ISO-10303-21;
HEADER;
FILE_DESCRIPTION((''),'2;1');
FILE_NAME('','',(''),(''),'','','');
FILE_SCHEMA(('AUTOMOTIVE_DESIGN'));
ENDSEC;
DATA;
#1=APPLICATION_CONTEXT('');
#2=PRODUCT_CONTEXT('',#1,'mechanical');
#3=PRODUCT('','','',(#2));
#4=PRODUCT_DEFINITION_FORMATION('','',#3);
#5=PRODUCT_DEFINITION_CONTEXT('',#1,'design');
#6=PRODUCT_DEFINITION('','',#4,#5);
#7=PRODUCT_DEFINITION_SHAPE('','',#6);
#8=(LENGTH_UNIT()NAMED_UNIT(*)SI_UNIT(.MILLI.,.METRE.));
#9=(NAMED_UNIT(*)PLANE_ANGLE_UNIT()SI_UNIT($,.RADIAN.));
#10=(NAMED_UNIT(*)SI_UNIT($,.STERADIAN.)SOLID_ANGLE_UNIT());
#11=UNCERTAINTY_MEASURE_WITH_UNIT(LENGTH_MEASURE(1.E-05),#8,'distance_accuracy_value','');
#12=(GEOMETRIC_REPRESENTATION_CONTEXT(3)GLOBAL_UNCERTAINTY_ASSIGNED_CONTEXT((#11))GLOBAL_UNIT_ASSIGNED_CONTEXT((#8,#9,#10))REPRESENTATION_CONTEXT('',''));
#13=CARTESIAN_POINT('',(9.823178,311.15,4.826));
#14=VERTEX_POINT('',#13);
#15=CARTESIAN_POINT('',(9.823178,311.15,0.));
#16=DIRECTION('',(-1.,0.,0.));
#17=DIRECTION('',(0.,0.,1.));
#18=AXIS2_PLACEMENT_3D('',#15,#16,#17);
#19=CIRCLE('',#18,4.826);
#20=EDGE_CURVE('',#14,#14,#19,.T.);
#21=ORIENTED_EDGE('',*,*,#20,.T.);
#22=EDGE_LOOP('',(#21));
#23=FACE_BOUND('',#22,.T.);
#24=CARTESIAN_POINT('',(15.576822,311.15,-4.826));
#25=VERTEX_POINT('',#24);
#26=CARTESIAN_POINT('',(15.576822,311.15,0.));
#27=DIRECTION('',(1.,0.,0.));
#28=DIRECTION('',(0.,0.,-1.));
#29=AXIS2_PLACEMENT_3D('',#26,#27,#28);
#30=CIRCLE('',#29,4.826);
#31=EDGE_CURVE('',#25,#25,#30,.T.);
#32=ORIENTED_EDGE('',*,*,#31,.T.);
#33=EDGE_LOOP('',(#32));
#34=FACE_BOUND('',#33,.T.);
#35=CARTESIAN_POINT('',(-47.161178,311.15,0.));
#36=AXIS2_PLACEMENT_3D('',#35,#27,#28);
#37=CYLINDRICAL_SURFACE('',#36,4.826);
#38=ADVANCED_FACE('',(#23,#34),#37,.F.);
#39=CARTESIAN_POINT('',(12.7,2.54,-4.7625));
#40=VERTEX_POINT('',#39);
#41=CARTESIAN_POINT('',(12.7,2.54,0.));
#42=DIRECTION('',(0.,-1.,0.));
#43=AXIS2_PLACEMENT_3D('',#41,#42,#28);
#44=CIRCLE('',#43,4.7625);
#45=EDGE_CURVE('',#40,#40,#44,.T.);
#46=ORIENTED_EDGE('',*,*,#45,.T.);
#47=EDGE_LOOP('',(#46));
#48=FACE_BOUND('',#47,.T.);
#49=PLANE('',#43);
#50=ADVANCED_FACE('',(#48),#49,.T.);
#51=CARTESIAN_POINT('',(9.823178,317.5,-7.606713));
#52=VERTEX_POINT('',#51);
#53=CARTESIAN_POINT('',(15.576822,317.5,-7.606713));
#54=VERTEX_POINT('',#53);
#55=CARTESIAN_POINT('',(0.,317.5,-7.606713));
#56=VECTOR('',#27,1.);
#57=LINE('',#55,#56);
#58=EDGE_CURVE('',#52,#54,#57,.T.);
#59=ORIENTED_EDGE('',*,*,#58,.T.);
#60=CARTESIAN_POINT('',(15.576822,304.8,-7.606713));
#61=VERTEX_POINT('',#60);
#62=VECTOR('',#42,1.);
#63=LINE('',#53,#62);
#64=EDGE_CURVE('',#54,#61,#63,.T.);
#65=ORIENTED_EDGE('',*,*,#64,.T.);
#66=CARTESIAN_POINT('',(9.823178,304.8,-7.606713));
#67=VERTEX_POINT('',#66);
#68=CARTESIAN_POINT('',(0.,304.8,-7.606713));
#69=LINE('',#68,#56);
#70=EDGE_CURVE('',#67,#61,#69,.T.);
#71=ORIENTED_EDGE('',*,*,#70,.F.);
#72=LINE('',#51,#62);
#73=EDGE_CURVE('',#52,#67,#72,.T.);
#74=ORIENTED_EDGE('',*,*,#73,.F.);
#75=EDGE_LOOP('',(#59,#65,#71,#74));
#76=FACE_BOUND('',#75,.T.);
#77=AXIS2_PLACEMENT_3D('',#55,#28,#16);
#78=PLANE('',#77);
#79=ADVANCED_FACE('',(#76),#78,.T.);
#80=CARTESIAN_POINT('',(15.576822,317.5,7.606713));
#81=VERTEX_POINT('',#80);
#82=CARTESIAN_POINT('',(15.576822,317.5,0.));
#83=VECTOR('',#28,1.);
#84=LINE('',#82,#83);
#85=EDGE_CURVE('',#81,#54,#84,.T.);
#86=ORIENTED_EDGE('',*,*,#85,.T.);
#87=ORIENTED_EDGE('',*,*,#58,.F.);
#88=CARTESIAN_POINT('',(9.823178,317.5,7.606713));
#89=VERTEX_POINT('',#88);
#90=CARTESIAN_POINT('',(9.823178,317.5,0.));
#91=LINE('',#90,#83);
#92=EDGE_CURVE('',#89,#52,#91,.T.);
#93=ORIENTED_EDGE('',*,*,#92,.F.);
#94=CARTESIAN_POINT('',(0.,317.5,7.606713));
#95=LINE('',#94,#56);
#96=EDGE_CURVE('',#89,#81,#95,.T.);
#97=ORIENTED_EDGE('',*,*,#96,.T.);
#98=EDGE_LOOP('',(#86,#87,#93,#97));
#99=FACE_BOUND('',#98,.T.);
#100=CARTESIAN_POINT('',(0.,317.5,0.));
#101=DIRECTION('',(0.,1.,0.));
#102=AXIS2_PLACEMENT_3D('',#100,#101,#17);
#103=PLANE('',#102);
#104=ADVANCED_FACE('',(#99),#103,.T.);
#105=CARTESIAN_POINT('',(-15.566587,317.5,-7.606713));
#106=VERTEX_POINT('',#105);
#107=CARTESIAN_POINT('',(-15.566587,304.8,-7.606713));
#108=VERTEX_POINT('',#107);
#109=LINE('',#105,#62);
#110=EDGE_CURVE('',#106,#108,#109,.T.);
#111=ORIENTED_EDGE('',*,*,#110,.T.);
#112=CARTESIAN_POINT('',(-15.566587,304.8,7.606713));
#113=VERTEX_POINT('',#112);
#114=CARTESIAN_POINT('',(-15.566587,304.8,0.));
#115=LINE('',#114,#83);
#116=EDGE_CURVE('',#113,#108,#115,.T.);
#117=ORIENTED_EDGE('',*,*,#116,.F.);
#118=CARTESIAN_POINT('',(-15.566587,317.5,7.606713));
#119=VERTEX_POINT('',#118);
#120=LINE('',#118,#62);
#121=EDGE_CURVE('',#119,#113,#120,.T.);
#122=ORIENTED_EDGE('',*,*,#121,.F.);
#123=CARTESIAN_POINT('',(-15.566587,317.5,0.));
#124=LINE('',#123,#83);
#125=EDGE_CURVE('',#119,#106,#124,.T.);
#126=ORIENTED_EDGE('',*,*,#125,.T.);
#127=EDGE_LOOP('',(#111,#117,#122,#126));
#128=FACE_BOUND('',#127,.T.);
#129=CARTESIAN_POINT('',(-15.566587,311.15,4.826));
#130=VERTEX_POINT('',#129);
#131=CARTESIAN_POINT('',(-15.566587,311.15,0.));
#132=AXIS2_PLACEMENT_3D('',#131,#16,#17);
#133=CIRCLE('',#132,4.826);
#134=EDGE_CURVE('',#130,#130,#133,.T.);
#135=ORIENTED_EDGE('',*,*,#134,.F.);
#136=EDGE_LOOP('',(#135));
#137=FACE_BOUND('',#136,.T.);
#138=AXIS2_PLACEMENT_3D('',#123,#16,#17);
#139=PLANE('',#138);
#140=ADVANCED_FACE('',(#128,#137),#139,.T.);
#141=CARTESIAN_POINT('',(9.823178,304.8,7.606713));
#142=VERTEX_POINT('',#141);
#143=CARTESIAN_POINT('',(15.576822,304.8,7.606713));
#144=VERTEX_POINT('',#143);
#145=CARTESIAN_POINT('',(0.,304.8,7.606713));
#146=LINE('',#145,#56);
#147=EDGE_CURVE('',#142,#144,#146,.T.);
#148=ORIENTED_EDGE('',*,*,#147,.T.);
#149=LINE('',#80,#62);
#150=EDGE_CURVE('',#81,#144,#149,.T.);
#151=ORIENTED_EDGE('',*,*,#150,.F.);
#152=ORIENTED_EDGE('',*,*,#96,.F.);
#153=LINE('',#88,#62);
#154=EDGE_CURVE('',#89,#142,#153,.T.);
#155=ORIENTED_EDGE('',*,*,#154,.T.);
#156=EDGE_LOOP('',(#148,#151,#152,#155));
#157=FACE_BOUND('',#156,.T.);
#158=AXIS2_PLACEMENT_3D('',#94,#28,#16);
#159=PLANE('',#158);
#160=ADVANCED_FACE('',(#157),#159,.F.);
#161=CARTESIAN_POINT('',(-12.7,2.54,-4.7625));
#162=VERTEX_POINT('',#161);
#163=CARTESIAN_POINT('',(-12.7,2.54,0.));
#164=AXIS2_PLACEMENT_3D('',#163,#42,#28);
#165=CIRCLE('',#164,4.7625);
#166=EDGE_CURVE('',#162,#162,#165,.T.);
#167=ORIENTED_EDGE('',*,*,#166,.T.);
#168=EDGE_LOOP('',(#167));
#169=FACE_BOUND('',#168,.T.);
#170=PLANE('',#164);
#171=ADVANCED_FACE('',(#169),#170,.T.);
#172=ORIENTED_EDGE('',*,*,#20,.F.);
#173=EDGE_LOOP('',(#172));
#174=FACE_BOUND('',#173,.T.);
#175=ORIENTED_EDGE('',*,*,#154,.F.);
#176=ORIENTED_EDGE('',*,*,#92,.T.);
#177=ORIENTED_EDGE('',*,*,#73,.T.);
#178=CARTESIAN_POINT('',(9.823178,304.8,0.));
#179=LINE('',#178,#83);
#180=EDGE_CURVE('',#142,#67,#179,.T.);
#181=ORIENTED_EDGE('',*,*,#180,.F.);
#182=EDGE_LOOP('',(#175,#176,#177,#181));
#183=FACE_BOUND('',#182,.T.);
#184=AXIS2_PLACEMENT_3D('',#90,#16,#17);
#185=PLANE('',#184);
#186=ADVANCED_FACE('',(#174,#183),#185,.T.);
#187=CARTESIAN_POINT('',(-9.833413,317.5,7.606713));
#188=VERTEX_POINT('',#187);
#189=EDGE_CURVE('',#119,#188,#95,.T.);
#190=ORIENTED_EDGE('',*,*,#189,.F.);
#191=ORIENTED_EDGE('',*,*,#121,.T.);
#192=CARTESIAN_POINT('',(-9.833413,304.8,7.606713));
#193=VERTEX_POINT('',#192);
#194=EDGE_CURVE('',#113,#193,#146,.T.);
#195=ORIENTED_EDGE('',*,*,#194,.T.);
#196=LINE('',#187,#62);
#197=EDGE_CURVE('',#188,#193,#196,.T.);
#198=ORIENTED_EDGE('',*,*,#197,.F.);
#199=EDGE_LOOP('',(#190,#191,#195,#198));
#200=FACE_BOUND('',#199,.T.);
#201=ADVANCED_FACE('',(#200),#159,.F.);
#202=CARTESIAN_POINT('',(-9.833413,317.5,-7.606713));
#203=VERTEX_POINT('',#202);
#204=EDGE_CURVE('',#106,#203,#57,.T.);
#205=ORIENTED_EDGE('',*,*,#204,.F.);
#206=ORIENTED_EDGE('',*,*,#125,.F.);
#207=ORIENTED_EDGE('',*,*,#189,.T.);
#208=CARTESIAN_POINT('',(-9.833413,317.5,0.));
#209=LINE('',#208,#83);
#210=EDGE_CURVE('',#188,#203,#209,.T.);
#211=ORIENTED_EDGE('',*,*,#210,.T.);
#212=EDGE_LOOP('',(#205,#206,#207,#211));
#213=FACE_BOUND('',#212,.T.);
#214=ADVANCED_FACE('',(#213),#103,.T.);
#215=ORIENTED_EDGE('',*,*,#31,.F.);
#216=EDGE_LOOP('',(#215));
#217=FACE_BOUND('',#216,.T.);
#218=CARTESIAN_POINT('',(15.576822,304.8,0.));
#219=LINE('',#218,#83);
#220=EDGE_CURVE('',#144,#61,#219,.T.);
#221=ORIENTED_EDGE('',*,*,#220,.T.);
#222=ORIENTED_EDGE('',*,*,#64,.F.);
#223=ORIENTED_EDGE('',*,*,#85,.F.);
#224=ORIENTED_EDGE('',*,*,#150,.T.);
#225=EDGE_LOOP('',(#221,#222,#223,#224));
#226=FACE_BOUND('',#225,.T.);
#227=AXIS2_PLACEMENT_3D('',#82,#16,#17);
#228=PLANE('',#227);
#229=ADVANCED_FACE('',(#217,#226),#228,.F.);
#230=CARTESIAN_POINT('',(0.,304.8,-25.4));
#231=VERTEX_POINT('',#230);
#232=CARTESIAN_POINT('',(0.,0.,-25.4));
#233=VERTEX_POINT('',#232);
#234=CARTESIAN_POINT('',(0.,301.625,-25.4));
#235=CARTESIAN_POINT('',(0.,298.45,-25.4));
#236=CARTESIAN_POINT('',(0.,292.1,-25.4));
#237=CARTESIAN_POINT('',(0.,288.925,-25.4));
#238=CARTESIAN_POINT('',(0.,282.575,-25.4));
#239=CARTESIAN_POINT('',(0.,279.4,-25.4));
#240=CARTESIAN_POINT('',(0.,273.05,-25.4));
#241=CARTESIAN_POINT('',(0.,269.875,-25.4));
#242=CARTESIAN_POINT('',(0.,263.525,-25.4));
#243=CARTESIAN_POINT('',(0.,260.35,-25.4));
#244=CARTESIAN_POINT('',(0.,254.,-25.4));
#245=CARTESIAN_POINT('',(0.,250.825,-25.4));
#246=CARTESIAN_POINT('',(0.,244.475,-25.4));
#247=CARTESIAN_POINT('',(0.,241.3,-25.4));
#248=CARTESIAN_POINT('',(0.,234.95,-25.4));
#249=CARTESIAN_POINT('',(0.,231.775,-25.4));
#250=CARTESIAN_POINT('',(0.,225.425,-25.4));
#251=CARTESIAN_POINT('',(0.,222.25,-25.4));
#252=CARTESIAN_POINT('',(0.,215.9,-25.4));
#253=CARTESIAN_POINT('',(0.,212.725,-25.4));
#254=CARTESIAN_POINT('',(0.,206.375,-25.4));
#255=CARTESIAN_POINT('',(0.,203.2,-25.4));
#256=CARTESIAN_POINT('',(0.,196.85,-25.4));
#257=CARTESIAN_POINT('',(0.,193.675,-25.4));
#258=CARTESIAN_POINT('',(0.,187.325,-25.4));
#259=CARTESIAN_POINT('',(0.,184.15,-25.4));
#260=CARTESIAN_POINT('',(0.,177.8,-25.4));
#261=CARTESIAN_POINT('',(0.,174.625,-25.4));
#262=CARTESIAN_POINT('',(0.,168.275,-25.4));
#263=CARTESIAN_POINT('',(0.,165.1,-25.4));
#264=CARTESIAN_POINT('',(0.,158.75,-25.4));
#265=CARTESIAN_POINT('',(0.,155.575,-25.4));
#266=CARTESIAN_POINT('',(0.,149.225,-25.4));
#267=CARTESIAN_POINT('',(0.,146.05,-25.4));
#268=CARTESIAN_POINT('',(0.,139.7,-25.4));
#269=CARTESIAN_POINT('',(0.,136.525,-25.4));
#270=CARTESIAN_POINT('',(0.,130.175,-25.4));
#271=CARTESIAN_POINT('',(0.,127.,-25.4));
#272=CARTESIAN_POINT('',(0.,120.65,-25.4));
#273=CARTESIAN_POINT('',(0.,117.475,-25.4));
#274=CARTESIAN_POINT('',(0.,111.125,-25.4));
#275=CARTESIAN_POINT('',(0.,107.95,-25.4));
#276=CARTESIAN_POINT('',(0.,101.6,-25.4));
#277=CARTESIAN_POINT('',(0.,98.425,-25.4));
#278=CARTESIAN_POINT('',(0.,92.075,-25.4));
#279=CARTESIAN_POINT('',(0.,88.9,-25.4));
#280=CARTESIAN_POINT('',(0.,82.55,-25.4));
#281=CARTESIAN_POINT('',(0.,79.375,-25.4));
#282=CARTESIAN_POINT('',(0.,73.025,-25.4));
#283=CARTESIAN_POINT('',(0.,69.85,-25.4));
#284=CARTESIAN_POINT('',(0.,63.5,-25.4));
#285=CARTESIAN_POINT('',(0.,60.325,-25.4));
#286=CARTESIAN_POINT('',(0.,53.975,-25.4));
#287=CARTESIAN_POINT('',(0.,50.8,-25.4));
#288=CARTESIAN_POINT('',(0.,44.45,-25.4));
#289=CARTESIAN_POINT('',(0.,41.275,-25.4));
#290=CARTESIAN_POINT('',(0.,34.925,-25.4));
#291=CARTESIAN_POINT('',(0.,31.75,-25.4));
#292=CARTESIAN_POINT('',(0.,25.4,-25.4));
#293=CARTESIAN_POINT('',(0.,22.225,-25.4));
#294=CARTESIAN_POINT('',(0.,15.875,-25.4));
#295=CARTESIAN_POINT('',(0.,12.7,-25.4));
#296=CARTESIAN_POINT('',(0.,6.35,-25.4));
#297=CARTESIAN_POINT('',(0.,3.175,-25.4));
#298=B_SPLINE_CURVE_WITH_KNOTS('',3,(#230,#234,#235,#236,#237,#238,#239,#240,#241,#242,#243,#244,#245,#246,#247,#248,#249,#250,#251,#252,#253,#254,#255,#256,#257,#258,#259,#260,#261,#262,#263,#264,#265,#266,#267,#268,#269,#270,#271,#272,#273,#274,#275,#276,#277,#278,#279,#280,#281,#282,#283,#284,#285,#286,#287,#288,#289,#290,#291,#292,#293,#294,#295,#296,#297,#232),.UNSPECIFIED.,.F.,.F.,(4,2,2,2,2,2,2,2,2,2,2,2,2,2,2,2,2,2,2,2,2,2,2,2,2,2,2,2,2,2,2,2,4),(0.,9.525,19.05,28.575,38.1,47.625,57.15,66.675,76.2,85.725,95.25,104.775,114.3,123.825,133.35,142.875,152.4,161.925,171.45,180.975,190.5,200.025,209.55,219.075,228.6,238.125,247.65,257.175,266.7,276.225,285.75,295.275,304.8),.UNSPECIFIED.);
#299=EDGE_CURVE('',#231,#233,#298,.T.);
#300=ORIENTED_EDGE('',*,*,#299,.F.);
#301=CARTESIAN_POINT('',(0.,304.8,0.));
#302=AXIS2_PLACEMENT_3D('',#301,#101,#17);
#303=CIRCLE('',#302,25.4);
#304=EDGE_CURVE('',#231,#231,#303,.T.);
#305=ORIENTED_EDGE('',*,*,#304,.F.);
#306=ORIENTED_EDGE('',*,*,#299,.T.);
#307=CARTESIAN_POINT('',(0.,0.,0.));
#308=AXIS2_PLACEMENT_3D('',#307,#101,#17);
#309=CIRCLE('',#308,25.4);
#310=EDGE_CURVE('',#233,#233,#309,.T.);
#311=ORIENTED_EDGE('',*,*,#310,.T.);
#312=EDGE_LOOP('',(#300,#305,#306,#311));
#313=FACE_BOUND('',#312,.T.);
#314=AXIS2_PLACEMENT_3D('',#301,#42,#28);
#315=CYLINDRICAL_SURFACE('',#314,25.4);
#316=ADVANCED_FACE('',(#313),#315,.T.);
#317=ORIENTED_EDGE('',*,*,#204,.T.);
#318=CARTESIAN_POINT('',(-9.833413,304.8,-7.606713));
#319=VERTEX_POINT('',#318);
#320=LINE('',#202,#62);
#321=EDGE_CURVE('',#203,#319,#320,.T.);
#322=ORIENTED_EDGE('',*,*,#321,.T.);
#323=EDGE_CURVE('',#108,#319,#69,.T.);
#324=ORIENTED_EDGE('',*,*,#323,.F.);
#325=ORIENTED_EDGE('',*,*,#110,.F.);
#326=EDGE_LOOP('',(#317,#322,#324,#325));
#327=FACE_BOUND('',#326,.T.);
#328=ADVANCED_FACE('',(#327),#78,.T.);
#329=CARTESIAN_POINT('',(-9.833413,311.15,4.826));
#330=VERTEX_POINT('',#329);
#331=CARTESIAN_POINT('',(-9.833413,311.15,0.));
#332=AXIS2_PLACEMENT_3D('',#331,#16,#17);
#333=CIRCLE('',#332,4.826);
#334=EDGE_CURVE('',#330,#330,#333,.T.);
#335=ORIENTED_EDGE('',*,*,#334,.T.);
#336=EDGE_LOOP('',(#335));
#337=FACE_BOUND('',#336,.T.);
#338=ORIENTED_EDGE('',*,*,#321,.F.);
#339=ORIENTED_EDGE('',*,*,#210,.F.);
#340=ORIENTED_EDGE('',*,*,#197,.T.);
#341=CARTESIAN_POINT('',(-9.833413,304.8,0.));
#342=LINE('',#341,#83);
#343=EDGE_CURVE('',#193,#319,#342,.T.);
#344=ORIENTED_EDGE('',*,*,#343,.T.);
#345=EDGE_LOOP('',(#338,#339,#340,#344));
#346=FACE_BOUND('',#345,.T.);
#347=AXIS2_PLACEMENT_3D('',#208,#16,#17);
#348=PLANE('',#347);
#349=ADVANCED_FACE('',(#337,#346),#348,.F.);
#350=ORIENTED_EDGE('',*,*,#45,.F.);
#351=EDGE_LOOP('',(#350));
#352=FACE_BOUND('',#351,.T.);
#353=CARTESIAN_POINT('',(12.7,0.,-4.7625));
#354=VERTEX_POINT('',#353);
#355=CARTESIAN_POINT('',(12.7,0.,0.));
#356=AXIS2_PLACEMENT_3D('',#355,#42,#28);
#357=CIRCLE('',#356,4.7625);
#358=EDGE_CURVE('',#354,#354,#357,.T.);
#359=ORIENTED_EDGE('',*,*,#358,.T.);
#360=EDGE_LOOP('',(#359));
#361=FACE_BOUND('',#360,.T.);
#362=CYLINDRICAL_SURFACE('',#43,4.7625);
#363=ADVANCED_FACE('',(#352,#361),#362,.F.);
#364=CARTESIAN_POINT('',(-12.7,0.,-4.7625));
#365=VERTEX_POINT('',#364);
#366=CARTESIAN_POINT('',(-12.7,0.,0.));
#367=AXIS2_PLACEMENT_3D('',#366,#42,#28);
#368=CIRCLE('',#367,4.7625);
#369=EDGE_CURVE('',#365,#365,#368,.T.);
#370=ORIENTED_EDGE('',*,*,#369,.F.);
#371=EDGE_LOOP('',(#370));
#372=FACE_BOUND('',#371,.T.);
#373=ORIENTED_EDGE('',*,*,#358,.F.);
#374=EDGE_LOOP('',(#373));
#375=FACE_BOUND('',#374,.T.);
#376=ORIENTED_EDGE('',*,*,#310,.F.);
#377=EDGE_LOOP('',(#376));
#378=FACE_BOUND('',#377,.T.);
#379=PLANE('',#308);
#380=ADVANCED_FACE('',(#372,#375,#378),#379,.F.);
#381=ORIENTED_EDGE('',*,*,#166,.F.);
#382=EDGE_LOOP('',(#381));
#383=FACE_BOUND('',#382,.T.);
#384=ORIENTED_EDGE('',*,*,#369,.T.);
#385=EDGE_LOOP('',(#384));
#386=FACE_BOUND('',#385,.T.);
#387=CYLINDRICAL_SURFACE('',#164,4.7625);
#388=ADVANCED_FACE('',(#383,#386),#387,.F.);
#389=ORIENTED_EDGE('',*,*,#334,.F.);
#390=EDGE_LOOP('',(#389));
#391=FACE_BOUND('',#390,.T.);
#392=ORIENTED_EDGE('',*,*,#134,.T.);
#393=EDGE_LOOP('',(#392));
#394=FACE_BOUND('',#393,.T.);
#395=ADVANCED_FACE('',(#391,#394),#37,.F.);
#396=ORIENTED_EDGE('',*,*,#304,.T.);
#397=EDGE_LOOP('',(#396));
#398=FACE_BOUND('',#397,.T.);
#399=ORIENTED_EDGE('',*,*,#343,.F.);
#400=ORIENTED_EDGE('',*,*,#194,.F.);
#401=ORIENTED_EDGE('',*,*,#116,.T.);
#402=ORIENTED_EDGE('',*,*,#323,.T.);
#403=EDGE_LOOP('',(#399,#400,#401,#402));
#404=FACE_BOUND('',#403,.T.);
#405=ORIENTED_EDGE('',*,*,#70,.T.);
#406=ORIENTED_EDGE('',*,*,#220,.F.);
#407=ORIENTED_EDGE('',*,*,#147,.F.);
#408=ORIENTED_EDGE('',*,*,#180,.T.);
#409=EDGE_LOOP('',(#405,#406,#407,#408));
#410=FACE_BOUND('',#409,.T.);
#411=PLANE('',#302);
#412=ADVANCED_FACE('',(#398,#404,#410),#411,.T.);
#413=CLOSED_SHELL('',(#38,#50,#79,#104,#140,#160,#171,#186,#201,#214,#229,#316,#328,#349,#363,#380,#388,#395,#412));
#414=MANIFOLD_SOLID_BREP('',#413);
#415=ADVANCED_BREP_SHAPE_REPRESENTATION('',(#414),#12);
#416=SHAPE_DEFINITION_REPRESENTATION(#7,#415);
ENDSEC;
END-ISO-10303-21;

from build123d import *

# Parameters (mm, degrees)
SKETCH1_R           = 25.4
BOSS_EXTRUDE1_DEPTH = 304.8
SKETCH3_W           = 5.753643288
SKETCH3_H           = 15.213425176
SKETCH3_W_2         = 5.733174908
BOSS_EXTRUDE2_DEPTH = 12.7
CUT_EXTRUDE2_DEPTH  = 62.738
SKETCH6_R           = 4.7625
CUT_EXTRUDE3_DEPTH  = 2.54


with BuildPart() as part:
    # Sketch1 → Boss-Extrude1 (new body)
    with BuildSketch(Plane(origin=(0, 0, 0), x_dir=(1, 0, 0), z_dir=(0, 1, 0))):
        with Locations(Location((0, 0, 0), (0, 0, 90))):
            Circle(SKETCH1_R)
    extrude(amount=BOSS_EXTRUDE1_DEPTH)

    # Sketch3 → Boss-Extrude2 (add)
    with BuildSketch(Plane(origin=(0, 304.8, 0), x_dir=(1, 0, 0), z_dir=(0, 1, 0))):
        with Locations((12.7, 0)):
            Rectangle(SKETCH3_W, SKETCH3_H)
        with Locations((-12.7, 0)):
            Rectangle(SKETCH3_W_2, SKETCH3_H)
    extrude(amount=BOSS_EXTRUDE2_DEPTH)

    # Sketch4 → Cut-Extrude2 (cut)
    with BuildSketch(Plane(origin=(15.576821644, 0, 0), x_dir=(0, 0, -1), z_dir=(1, 0, 0))):
        with BuildLine():
            ThreePointArc((4.826, 311.15), (3.412497326, 314.562497326), (0, 315.976))
            Line((0, 315.976), (0, 306.324))
            ThreePointArc((0, 306.324), (3.412497326, 307.737502674), (4.826, 311.15))
        make_face()
        with BuildLine():
            Line((0, 306.324), (0, 315.976))
            ThreePointArc((0, 315.976), (-4.826, 311.15), (0, 306.324))
        make_face()
    extrude(amount=-CUT_EXTRUDE2_DEPTH, mode=Mode.SUBTRACT)

    # Sketch6 → Cut-Extrude3 (cut)
    with BuildSketch(Plane.XZ):
        with Locations(Location((-12.7, 0, 0), (0, 0, 270))):
            Circle(SKETCH6_R)
        with Locations(Location((12.7, 0, 0), (0, 0, 270))):
            Circle(SKETCH6_R)
    extrude(amount=-CUT_EXTRUDE3_DEPTH, mode=Mode.SUBTRACT)


solid = part.part
